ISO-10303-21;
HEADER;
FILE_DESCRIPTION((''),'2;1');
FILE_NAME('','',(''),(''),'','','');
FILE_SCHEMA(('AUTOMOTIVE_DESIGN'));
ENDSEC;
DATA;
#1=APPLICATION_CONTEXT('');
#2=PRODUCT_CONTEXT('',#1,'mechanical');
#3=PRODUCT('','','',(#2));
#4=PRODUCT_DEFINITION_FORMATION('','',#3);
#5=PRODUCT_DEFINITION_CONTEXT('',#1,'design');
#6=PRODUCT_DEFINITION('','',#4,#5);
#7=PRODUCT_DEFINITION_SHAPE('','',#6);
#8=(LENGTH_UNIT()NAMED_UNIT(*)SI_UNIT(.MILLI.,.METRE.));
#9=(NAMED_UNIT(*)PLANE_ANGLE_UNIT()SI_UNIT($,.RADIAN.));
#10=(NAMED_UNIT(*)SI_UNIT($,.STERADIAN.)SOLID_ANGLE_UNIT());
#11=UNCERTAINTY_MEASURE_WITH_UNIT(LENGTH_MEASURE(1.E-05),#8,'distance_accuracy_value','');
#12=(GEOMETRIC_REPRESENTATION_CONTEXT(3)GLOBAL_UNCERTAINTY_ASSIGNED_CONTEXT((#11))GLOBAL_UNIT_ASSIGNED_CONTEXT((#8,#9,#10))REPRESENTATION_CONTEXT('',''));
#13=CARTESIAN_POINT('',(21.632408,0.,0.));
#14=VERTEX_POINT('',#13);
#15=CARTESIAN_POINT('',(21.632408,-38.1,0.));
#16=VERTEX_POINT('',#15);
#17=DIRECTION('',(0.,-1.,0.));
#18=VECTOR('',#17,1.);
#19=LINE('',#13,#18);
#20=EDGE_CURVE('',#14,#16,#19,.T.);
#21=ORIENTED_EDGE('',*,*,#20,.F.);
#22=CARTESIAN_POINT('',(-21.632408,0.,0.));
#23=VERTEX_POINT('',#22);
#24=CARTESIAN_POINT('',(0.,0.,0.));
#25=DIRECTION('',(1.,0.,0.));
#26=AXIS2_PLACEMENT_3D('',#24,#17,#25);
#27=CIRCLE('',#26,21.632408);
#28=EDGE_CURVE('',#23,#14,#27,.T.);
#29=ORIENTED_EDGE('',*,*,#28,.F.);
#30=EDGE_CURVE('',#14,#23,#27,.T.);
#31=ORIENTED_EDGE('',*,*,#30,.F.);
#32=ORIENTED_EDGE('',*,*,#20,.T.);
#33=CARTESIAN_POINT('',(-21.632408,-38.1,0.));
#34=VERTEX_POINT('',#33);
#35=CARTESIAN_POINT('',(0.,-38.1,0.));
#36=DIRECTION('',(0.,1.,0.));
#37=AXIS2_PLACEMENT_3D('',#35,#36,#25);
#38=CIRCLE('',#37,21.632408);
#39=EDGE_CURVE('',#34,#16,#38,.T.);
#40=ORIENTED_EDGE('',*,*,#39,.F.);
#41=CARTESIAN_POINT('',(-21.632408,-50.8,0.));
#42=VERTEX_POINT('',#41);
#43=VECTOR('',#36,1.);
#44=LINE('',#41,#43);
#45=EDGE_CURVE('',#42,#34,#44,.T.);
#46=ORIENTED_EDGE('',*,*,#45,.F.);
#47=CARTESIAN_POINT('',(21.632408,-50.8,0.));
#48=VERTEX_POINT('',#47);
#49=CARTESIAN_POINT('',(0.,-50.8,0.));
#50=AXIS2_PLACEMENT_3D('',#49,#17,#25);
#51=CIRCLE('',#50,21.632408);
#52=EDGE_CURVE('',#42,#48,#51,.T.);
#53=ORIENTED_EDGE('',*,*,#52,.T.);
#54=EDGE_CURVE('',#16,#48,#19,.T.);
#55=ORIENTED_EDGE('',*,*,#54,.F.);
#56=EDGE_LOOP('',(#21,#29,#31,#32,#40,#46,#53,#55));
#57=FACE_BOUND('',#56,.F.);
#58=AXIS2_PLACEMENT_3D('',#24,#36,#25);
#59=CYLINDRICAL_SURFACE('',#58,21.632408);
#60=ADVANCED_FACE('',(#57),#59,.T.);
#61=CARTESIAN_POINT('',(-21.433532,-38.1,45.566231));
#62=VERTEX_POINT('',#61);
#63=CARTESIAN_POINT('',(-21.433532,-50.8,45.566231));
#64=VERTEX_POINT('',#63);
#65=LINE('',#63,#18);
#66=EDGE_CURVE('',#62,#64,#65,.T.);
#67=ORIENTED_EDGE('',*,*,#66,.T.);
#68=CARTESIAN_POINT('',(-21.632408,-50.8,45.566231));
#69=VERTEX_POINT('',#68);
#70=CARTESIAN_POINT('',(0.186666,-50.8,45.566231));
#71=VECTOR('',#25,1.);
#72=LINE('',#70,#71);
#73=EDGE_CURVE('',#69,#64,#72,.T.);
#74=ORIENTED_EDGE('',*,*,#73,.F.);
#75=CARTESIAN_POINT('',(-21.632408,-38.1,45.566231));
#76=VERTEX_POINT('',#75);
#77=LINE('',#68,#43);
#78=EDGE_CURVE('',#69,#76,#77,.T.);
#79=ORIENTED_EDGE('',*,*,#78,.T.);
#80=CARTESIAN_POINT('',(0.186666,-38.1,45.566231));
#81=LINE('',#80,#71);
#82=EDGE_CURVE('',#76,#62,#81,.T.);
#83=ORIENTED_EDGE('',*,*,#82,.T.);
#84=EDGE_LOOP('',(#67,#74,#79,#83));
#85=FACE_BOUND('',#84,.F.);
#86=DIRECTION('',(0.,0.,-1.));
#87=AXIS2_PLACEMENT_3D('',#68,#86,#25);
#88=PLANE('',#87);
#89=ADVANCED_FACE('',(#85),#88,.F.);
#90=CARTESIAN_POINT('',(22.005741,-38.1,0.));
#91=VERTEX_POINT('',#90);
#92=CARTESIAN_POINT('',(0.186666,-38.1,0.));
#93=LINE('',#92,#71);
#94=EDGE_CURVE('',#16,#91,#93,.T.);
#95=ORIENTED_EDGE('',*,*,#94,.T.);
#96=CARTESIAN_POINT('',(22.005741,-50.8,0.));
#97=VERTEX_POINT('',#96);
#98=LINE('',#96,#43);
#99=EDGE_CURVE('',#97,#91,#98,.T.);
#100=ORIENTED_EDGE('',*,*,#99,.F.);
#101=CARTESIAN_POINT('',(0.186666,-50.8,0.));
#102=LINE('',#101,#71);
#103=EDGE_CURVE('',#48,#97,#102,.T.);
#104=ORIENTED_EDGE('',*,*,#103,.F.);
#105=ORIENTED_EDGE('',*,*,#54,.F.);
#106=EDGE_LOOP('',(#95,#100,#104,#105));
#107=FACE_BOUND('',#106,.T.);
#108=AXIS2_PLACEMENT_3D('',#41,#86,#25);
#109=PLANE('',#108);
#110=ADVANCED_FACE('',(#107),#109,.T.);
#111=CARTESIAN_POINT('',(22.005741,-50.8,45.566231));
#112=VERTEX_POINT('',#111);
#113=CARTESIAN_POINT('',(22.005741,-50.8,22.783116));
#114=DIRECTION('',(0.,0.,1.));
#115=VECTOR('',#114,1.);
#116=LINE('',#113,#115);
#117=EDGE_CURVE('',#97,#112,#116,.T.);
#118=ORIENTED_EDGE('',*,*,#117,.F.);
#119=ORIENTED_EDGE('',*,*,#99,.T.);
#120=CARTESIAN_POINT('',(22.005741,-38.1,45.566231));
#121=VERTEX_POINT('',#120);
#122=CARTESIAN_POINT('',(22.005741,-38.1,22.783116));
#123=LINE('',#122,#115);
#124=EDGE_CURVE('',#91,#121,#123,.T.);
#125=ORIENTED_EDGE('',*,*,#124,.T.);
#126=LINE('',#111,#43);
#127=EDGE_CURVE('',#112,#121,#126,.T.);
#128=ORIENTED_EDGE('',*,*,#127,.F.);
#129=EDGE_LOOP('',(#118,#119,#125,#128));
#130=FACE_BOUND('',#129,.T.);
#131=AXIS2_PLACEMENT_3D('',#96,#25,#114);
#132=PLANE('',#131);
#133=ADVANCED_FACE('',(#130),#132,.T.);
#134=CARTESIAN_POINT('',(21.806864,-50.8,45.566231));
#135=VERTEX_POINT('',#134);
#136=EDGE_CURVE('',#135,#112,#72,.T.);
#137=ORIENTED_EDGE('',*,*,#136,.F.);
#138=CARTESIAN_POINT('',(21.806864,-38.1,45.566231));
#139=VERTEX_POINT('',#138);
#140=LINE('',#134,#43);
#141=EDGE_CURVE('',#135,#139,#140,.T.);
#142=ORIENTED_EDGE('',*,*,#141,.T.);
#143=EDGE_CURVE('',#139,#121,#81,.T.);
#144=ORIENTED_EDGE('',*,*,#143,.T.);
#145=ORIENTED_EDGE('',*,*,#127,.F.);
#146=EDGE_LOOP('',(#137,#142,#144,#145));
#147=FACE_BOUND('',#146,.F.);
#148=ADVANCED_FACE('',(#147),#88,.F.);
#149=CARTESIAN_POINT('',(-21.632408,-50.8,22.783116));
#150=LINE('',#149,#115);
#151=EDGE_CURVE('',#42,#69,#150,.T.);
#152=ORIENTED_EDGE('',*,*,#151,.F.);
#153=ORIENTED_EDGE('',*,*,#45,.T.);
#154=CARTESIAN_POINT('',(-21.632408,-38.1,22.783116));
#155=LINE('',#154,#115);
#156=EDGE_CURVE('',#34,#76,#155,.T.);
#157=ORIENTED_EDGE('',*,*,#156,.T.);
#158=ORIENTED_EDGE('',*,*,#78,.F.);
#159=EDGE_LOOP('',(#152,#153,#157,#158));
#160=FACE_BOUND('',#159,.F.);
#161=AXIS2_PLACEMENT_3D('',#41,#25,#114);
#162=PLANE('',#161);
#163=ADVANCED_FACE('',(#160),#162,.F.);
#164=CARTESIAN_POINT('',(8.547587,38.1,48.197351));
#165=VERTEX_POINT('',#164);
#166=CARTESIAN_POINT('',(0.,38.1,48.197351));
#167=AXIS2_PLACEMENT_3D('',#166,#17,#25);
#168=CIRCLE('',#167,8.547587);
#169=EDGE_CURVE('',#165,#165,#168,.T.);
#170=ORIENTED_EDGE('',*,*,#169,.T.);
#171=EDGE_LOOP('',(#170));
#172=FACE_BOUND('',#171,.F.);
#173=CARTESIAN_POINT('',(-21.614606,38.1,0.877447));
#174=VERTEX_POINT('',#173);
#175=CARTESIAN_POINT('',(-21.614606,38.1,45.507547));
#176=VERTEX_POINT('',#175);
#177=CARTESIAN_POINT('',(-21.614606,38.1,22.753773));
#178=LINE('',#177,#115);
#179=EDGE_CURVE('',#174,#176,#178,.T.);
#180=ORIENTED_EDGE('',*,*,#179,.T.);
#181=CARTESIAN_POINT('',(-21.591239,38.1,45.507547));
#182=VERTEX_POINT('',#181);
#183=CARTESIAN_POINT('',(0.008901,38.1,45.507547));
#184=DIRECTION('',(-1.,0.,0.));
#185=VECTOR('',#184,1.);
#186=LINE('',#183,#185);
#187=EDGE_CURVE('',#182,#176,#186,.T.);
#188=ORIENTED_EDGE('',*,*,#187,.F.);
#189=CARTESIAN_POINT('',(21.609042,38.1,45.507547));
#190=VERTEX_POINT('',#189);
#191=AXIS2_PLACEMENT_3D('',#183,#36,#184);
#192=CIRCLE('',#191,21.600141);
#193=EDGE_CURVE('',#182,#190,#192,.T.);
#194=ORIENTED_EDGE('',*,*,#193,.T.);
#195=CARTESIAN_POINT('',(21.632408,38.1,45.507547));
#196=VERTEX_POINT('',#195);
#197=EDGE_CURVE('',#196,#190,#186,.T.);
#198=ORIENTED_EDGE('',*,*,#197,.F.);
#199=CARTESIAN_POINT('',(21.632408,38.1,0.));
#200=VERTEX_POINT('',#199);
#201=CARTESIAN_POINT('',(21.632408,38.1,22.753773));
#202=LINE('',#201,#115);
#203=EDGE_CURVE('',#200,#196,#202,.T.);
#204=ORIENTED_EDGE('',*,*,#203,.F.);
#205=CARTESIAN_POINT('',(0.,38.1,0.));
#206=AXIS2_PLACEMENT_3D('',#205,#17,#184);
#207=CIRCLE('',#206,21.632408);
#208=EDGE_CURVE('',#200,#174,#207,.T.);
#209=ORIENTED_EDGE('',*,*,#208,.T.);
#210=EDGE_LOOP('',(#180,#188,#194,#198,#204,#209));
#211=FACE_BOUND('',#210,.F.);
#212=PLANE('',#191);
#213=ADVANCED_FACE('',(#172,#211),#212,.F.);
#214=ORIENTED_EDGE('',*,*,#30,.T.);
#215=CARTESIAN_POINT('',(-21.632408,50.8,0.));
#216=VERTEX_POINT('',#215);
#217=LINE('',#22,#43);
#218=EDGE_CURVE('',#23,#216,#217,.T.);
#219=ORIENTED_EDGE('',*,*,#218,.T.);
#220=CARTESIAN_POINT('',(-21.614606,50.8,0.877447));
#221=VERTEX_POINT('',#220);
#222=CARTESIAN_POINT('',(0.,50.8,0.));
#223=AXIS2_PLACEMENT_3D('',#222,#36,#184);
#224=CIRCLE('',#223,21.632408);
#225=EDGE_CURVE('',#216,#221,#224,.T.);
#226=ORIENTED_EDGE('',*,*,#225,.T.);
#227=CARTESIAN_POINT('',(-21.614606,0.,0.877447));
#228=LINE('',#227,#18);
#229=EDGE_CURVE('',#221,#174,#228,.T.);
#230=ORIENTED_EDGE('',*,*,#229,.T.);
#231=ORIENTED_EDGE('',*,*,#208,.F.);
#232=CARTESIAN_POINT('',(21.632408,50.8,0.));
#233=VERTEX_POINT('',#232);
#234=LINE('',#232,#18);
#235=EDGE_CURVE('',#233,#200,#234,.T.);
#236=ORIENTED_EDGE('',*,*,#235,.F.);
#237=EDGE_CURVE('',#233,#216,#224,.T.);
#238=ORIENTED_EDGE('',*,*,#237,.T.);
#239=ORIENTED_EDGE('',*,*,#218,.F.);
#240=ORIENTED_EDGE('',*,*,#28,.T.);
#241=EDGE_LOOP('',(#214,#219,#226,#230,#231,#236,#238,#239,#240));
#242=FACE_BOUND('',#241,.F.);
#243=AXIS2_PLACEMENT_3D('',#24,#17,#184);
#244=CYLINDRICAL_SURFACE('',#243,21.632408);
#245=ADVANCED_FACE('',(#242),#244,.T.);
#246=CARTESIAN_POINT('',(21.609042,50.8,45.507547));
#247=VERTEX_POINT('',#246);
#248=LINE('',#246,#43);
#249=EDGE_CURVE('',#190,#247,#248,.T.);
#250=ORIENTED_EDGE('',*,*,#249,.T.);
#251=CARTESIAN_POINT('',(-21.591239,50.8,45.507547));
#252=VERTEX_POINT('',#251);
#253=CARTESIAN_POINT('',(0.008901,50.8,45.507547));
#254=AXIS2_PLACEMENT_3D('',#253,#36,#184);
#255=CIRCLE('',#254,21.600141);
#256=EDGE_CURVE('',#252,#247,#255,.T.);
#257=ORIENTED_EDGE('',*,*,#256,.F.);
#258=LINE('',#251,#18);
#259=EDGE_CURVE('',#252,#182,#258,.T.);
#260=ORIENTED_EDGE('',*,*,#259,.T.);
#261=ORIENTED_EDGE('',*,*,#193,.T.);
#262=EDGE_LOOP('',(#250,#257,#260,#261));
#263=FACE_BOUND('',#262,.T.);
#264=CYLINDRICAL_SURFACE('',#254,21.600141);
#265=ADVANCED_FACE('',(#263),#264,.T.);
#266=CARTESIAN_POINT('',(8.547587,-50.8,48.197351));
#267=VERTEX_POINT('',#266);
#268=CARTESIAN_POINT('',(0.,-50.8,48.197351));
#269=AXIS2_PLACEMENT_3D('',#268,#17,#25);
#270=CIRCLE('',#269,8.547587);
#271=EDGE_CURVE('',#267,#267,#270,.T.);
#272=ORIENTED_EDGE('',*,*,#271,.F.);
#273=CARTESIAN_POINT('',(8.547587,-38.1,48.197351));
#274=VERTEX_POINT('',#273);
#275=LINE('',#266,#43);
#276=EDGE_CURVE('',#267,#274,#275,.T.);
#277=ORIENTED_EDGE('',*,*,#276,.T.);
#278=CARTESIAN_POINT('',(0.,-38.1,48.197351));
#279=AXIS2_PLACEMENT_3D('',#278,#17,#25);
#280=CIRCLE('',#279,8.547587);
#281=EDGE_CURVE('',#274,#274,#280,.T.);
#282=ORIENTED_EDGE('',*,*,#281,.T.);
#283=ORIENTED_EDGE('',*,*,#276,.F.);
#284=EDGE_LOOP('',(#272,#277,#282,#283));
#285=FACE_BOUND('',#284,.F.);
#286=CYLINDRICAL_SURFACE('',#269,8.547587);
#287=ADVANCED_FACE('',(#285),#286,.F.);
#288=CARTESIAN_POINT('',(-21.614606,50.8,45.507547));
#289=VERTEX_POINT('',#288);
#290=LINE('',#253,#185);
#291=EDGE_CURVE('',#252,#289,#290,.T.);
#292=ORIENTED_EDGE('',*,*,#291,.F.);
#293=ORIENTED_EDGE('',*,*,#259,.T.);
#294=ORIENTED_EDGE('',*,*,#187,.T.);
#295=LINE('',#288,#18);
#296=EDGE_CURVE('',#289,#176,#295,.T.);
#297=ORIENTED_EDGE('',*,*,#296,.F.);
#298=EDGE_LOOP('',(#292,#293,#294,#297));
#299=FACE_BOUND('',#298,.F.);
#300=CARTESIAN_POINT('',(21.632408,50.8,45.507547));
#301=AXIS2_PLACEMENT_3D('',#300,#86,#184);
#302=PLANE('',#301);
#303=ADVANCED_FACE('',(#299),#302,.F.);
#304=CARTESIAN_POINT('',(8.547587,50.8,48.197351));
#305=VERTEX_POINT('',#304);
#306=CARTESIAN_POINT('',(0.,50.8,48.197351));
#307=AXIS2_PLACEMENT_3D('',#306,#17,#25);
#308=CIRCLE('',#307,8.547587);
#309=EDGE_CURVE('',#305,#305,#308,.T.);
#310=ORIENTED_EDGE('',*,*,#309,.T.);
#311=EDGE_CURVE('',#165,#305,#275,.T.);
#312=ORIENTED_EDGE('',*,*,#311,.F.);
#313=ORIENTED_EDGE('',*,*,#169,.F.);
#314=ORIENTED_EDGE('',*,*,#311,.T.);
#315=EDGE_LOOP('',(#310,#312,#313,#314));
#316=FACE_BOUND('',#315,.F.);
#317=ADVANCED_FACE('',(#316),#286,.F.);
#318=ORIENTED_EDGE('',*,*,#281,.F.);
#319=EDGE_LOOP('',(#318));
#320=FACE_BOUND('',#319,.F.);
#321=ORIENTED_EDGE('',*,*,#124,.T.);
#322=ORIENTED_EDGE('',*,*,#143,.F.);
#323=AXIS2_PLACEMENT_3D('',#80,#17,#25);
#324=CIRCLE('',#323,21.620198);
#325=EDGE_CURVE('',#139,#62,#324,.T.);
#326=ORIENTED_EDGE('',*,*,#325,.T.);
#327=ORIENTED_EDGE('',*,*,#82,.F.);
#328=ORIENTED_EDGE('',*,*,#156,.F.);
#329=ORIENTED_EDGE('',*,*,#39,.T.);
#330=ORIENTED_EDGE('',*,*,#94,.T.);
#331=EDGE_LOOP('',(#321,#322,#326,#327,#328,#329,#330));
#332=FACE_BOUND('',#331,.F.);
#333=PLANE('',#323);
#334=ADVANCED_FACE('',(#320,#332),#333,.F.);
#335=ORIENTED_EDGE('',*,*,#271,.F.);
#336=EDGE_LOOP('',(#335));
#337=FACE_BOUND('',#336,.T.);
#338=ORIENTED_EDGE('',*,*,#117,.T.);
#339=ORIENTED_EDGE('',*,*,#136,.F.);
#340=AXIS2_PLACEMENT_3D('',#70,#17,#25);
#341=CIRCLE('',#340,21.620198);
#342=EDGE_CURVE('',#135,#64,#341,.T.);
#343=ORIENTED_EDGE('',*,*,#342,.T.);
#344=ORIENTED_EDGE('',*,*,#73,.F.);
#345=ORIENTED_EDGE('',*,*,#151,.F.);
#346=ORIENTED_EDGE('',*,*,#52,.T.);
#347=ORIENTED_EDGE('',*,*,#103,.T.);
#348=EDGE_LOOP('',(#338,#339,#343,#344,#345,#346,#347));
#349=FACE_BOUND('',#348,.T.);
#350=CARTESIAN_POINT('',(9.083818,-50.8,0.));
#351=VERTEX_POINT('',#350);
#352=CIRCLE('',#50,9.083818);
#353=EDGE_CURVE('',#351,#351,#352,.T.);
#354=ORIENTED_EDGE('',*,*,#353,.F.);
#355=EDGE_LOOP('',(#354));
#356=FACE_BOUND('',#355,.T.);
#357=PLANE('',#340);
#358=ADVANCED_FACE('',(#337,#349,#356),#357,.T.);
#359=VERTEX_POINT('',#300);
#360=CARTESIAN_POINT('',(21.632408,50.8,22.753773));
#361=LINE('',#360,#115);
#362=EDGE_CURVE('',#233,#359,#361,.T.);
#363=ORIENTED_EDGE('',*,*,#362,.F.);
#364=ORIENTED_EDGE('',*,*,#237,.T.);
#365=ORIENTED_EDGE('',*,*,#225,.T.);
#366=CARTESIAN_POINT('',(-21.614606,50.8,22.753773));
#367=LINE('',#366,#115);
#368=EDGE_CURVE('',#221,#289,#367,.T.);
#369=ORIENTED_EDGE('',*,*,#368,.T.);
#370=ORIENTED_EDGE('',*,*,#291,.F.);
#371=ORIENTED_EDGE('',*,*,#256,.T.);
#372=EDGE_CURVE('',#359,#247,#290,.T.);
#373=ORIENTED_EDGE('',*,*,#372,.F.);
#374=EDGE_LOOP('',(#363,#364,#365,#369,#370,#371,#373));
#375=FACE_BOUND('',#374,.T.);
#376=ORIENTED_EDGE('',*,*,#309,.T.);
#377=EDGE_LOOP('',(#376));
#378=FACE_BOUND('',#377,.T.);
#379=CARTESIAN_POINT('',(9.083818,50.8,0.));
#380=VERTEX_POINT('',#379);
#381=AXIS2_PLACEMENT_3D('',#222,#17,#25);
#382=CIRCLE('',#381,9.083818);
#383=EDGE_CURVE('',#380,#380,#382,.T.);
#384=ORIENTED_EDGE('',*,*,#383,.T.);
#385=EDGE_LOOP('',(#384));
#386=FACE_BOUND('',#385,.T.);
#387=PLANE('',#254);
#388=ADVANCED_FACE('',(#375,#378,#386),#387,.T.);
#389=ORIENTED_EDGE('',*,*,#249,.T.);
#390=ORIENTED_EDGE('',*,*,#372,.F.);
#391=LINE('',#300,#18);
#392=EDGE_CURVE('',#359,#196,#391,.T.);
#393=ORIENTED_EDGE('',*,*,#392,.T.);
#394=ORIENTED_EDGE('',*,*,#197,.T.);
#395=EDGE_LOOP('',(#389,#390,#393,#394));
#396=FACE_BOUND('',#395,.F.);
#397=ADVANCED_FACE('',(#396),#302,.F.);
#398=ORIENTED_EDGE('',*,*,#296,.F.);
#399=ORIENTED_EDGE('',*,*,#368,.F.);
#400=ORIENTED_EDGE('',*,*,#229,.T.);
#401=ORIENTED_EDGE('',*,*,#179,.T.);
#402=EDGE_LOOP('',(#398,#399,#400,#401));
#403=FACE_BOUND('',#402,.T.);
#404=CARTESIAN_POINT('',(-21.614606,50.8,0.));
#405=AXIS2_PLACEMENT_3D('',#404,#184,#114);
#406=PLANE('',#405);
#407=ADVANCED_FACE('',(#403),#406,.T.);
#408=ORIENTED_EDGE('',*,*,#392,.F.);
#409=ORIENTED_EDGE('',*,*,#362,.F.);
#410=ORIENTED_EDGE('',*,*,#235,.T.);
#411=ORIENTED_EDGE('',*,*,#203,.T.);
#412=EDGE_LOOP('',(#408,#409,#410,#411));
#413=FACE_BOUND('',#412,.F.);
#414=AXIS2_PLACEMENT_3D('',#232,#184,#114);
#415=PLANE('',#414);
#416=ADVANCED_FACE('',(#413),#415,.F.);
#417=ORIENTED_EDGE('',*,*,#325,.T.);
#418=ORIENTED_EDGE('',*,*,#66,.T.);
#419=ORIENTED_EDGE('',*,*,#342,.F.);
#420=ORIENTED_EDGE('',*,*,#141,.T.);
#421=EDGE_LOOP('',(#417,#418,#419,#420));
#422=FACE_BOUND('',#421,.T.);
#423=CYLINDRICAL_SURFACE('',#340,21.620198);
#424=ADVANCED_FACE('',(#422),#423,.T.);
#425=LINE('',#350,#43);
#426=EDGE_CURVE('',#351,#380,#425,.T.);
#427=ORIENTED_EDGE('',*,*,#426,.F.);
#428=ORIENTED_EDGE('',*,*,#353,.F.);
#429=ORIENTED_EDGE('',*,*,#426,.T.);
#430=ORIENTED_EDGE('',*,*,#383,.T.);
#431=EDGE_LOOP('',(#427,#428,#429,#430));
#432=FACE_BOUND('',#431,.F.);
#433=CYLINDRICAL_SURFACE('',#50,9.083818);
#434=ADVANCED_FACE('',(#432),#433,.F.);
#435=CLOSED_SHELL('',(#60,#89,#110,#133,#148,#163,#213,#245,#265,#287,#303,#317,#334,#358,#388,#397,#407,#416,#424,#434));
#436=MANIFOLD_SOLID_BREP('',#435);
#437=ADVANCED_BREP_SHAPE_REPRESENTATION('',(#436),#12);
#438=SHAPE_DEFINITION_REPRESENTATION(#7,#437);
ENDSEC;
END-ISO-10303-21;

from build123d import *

# Parameters (mm, degrees)
F0_R      = 21.6324082339
F1_DEPTH  = 50.8
F2_R      = 21.6324082339
F3_DEPTH  = 50.8
F4_W      = 43.638148787
F4_H      = 45.5662310123
F5_DEPTH  = 12.7
F6_R      = 21.6201983054
F7_DEPTH  = 12.7
F8_W      = 43.2470137948
F8_H      = 45.5075465143
F9_DEPTH  = 12.7
F10_R     = 21.600140632
F11_DEPTH = 12.7
F12_R     = 9.0838177262
F13_DEPTH = 101.601
F14_R     = 8.547587073
F15_DEPTH = 101.601


with BuildPart() as f1:
    # F0 (on Front) → F1 (new body)
    with BuildSketch(Plane.XZ):
        Circle(F0_R)
    extrude(amount=F1_DEPTH)

    # F2 (on face) → F3 (join)
    with BuildSketch(Plane(origin=(0, 0, 0), x_dir=(-1, 0, 0), z_dir=(0, 1, 0))):
        Circle(F2_R)
    extrude(amount=F3_DEPTH)

    # F4 (on face) → F5 (join)
    with BuildSketch(Plane.XZ.offset(50.8)):
        with Locations((0.1866661596, 22.7831155062)):
            Rectangle(F4_W, F4_H)
    extrude(amount=-F5_DEPTH)

    # F6 (on face) → F7 (join)
    with BuildSketch(Plane.XZ.offset(50.8)):
        with Locations((0.1866661596, 45.5662310123)):
            Circle(F6_R)
    extrude(amount=-F7_DEPTH)

    # F8 (on face) → F9 (join)
    with BuildSketch(Plane(origin=(0, 50.8, 0), x_dir=(-1, 0, 0), z_dir=(0, 1, 0))):
        with Locations((-0.0089013365, 22.7537732571)):
            Rectangle(F8_W, F8_H)
    extrude(amount=-F9_DEPTH)

    # F10 (on face) → F11 (join)
    with BuildSketch(Plane(origin=(0, 50.8, 0), x_dir=(-1, 0, 0), z_dir=(0, 1, 0))):
        with Locations((-0.0089013365, 45.5075465143)):
            Circle(F10_R)
    extrude(amount=-F11_DEPTH)

    # F12 (on face) → F13 (cut, through all)
    with BuildSketch(Plane.XZ.offset(50.8)):
        Circle(F12_R)
    extrude(amount=-F13_DEPTH, mode=Mode.SUBTRACT)

    # F14 (on face) → F15 (cut, through all)
    with BuildSketch(Plane.XZ.offset(50.8)):
        with Locations((0, 48.1973513961)):
            Circle(F14_R)
    extrude(amount=-F15_DEPTH, mode=Mode.SUBTRACT)


solid = f1.part
